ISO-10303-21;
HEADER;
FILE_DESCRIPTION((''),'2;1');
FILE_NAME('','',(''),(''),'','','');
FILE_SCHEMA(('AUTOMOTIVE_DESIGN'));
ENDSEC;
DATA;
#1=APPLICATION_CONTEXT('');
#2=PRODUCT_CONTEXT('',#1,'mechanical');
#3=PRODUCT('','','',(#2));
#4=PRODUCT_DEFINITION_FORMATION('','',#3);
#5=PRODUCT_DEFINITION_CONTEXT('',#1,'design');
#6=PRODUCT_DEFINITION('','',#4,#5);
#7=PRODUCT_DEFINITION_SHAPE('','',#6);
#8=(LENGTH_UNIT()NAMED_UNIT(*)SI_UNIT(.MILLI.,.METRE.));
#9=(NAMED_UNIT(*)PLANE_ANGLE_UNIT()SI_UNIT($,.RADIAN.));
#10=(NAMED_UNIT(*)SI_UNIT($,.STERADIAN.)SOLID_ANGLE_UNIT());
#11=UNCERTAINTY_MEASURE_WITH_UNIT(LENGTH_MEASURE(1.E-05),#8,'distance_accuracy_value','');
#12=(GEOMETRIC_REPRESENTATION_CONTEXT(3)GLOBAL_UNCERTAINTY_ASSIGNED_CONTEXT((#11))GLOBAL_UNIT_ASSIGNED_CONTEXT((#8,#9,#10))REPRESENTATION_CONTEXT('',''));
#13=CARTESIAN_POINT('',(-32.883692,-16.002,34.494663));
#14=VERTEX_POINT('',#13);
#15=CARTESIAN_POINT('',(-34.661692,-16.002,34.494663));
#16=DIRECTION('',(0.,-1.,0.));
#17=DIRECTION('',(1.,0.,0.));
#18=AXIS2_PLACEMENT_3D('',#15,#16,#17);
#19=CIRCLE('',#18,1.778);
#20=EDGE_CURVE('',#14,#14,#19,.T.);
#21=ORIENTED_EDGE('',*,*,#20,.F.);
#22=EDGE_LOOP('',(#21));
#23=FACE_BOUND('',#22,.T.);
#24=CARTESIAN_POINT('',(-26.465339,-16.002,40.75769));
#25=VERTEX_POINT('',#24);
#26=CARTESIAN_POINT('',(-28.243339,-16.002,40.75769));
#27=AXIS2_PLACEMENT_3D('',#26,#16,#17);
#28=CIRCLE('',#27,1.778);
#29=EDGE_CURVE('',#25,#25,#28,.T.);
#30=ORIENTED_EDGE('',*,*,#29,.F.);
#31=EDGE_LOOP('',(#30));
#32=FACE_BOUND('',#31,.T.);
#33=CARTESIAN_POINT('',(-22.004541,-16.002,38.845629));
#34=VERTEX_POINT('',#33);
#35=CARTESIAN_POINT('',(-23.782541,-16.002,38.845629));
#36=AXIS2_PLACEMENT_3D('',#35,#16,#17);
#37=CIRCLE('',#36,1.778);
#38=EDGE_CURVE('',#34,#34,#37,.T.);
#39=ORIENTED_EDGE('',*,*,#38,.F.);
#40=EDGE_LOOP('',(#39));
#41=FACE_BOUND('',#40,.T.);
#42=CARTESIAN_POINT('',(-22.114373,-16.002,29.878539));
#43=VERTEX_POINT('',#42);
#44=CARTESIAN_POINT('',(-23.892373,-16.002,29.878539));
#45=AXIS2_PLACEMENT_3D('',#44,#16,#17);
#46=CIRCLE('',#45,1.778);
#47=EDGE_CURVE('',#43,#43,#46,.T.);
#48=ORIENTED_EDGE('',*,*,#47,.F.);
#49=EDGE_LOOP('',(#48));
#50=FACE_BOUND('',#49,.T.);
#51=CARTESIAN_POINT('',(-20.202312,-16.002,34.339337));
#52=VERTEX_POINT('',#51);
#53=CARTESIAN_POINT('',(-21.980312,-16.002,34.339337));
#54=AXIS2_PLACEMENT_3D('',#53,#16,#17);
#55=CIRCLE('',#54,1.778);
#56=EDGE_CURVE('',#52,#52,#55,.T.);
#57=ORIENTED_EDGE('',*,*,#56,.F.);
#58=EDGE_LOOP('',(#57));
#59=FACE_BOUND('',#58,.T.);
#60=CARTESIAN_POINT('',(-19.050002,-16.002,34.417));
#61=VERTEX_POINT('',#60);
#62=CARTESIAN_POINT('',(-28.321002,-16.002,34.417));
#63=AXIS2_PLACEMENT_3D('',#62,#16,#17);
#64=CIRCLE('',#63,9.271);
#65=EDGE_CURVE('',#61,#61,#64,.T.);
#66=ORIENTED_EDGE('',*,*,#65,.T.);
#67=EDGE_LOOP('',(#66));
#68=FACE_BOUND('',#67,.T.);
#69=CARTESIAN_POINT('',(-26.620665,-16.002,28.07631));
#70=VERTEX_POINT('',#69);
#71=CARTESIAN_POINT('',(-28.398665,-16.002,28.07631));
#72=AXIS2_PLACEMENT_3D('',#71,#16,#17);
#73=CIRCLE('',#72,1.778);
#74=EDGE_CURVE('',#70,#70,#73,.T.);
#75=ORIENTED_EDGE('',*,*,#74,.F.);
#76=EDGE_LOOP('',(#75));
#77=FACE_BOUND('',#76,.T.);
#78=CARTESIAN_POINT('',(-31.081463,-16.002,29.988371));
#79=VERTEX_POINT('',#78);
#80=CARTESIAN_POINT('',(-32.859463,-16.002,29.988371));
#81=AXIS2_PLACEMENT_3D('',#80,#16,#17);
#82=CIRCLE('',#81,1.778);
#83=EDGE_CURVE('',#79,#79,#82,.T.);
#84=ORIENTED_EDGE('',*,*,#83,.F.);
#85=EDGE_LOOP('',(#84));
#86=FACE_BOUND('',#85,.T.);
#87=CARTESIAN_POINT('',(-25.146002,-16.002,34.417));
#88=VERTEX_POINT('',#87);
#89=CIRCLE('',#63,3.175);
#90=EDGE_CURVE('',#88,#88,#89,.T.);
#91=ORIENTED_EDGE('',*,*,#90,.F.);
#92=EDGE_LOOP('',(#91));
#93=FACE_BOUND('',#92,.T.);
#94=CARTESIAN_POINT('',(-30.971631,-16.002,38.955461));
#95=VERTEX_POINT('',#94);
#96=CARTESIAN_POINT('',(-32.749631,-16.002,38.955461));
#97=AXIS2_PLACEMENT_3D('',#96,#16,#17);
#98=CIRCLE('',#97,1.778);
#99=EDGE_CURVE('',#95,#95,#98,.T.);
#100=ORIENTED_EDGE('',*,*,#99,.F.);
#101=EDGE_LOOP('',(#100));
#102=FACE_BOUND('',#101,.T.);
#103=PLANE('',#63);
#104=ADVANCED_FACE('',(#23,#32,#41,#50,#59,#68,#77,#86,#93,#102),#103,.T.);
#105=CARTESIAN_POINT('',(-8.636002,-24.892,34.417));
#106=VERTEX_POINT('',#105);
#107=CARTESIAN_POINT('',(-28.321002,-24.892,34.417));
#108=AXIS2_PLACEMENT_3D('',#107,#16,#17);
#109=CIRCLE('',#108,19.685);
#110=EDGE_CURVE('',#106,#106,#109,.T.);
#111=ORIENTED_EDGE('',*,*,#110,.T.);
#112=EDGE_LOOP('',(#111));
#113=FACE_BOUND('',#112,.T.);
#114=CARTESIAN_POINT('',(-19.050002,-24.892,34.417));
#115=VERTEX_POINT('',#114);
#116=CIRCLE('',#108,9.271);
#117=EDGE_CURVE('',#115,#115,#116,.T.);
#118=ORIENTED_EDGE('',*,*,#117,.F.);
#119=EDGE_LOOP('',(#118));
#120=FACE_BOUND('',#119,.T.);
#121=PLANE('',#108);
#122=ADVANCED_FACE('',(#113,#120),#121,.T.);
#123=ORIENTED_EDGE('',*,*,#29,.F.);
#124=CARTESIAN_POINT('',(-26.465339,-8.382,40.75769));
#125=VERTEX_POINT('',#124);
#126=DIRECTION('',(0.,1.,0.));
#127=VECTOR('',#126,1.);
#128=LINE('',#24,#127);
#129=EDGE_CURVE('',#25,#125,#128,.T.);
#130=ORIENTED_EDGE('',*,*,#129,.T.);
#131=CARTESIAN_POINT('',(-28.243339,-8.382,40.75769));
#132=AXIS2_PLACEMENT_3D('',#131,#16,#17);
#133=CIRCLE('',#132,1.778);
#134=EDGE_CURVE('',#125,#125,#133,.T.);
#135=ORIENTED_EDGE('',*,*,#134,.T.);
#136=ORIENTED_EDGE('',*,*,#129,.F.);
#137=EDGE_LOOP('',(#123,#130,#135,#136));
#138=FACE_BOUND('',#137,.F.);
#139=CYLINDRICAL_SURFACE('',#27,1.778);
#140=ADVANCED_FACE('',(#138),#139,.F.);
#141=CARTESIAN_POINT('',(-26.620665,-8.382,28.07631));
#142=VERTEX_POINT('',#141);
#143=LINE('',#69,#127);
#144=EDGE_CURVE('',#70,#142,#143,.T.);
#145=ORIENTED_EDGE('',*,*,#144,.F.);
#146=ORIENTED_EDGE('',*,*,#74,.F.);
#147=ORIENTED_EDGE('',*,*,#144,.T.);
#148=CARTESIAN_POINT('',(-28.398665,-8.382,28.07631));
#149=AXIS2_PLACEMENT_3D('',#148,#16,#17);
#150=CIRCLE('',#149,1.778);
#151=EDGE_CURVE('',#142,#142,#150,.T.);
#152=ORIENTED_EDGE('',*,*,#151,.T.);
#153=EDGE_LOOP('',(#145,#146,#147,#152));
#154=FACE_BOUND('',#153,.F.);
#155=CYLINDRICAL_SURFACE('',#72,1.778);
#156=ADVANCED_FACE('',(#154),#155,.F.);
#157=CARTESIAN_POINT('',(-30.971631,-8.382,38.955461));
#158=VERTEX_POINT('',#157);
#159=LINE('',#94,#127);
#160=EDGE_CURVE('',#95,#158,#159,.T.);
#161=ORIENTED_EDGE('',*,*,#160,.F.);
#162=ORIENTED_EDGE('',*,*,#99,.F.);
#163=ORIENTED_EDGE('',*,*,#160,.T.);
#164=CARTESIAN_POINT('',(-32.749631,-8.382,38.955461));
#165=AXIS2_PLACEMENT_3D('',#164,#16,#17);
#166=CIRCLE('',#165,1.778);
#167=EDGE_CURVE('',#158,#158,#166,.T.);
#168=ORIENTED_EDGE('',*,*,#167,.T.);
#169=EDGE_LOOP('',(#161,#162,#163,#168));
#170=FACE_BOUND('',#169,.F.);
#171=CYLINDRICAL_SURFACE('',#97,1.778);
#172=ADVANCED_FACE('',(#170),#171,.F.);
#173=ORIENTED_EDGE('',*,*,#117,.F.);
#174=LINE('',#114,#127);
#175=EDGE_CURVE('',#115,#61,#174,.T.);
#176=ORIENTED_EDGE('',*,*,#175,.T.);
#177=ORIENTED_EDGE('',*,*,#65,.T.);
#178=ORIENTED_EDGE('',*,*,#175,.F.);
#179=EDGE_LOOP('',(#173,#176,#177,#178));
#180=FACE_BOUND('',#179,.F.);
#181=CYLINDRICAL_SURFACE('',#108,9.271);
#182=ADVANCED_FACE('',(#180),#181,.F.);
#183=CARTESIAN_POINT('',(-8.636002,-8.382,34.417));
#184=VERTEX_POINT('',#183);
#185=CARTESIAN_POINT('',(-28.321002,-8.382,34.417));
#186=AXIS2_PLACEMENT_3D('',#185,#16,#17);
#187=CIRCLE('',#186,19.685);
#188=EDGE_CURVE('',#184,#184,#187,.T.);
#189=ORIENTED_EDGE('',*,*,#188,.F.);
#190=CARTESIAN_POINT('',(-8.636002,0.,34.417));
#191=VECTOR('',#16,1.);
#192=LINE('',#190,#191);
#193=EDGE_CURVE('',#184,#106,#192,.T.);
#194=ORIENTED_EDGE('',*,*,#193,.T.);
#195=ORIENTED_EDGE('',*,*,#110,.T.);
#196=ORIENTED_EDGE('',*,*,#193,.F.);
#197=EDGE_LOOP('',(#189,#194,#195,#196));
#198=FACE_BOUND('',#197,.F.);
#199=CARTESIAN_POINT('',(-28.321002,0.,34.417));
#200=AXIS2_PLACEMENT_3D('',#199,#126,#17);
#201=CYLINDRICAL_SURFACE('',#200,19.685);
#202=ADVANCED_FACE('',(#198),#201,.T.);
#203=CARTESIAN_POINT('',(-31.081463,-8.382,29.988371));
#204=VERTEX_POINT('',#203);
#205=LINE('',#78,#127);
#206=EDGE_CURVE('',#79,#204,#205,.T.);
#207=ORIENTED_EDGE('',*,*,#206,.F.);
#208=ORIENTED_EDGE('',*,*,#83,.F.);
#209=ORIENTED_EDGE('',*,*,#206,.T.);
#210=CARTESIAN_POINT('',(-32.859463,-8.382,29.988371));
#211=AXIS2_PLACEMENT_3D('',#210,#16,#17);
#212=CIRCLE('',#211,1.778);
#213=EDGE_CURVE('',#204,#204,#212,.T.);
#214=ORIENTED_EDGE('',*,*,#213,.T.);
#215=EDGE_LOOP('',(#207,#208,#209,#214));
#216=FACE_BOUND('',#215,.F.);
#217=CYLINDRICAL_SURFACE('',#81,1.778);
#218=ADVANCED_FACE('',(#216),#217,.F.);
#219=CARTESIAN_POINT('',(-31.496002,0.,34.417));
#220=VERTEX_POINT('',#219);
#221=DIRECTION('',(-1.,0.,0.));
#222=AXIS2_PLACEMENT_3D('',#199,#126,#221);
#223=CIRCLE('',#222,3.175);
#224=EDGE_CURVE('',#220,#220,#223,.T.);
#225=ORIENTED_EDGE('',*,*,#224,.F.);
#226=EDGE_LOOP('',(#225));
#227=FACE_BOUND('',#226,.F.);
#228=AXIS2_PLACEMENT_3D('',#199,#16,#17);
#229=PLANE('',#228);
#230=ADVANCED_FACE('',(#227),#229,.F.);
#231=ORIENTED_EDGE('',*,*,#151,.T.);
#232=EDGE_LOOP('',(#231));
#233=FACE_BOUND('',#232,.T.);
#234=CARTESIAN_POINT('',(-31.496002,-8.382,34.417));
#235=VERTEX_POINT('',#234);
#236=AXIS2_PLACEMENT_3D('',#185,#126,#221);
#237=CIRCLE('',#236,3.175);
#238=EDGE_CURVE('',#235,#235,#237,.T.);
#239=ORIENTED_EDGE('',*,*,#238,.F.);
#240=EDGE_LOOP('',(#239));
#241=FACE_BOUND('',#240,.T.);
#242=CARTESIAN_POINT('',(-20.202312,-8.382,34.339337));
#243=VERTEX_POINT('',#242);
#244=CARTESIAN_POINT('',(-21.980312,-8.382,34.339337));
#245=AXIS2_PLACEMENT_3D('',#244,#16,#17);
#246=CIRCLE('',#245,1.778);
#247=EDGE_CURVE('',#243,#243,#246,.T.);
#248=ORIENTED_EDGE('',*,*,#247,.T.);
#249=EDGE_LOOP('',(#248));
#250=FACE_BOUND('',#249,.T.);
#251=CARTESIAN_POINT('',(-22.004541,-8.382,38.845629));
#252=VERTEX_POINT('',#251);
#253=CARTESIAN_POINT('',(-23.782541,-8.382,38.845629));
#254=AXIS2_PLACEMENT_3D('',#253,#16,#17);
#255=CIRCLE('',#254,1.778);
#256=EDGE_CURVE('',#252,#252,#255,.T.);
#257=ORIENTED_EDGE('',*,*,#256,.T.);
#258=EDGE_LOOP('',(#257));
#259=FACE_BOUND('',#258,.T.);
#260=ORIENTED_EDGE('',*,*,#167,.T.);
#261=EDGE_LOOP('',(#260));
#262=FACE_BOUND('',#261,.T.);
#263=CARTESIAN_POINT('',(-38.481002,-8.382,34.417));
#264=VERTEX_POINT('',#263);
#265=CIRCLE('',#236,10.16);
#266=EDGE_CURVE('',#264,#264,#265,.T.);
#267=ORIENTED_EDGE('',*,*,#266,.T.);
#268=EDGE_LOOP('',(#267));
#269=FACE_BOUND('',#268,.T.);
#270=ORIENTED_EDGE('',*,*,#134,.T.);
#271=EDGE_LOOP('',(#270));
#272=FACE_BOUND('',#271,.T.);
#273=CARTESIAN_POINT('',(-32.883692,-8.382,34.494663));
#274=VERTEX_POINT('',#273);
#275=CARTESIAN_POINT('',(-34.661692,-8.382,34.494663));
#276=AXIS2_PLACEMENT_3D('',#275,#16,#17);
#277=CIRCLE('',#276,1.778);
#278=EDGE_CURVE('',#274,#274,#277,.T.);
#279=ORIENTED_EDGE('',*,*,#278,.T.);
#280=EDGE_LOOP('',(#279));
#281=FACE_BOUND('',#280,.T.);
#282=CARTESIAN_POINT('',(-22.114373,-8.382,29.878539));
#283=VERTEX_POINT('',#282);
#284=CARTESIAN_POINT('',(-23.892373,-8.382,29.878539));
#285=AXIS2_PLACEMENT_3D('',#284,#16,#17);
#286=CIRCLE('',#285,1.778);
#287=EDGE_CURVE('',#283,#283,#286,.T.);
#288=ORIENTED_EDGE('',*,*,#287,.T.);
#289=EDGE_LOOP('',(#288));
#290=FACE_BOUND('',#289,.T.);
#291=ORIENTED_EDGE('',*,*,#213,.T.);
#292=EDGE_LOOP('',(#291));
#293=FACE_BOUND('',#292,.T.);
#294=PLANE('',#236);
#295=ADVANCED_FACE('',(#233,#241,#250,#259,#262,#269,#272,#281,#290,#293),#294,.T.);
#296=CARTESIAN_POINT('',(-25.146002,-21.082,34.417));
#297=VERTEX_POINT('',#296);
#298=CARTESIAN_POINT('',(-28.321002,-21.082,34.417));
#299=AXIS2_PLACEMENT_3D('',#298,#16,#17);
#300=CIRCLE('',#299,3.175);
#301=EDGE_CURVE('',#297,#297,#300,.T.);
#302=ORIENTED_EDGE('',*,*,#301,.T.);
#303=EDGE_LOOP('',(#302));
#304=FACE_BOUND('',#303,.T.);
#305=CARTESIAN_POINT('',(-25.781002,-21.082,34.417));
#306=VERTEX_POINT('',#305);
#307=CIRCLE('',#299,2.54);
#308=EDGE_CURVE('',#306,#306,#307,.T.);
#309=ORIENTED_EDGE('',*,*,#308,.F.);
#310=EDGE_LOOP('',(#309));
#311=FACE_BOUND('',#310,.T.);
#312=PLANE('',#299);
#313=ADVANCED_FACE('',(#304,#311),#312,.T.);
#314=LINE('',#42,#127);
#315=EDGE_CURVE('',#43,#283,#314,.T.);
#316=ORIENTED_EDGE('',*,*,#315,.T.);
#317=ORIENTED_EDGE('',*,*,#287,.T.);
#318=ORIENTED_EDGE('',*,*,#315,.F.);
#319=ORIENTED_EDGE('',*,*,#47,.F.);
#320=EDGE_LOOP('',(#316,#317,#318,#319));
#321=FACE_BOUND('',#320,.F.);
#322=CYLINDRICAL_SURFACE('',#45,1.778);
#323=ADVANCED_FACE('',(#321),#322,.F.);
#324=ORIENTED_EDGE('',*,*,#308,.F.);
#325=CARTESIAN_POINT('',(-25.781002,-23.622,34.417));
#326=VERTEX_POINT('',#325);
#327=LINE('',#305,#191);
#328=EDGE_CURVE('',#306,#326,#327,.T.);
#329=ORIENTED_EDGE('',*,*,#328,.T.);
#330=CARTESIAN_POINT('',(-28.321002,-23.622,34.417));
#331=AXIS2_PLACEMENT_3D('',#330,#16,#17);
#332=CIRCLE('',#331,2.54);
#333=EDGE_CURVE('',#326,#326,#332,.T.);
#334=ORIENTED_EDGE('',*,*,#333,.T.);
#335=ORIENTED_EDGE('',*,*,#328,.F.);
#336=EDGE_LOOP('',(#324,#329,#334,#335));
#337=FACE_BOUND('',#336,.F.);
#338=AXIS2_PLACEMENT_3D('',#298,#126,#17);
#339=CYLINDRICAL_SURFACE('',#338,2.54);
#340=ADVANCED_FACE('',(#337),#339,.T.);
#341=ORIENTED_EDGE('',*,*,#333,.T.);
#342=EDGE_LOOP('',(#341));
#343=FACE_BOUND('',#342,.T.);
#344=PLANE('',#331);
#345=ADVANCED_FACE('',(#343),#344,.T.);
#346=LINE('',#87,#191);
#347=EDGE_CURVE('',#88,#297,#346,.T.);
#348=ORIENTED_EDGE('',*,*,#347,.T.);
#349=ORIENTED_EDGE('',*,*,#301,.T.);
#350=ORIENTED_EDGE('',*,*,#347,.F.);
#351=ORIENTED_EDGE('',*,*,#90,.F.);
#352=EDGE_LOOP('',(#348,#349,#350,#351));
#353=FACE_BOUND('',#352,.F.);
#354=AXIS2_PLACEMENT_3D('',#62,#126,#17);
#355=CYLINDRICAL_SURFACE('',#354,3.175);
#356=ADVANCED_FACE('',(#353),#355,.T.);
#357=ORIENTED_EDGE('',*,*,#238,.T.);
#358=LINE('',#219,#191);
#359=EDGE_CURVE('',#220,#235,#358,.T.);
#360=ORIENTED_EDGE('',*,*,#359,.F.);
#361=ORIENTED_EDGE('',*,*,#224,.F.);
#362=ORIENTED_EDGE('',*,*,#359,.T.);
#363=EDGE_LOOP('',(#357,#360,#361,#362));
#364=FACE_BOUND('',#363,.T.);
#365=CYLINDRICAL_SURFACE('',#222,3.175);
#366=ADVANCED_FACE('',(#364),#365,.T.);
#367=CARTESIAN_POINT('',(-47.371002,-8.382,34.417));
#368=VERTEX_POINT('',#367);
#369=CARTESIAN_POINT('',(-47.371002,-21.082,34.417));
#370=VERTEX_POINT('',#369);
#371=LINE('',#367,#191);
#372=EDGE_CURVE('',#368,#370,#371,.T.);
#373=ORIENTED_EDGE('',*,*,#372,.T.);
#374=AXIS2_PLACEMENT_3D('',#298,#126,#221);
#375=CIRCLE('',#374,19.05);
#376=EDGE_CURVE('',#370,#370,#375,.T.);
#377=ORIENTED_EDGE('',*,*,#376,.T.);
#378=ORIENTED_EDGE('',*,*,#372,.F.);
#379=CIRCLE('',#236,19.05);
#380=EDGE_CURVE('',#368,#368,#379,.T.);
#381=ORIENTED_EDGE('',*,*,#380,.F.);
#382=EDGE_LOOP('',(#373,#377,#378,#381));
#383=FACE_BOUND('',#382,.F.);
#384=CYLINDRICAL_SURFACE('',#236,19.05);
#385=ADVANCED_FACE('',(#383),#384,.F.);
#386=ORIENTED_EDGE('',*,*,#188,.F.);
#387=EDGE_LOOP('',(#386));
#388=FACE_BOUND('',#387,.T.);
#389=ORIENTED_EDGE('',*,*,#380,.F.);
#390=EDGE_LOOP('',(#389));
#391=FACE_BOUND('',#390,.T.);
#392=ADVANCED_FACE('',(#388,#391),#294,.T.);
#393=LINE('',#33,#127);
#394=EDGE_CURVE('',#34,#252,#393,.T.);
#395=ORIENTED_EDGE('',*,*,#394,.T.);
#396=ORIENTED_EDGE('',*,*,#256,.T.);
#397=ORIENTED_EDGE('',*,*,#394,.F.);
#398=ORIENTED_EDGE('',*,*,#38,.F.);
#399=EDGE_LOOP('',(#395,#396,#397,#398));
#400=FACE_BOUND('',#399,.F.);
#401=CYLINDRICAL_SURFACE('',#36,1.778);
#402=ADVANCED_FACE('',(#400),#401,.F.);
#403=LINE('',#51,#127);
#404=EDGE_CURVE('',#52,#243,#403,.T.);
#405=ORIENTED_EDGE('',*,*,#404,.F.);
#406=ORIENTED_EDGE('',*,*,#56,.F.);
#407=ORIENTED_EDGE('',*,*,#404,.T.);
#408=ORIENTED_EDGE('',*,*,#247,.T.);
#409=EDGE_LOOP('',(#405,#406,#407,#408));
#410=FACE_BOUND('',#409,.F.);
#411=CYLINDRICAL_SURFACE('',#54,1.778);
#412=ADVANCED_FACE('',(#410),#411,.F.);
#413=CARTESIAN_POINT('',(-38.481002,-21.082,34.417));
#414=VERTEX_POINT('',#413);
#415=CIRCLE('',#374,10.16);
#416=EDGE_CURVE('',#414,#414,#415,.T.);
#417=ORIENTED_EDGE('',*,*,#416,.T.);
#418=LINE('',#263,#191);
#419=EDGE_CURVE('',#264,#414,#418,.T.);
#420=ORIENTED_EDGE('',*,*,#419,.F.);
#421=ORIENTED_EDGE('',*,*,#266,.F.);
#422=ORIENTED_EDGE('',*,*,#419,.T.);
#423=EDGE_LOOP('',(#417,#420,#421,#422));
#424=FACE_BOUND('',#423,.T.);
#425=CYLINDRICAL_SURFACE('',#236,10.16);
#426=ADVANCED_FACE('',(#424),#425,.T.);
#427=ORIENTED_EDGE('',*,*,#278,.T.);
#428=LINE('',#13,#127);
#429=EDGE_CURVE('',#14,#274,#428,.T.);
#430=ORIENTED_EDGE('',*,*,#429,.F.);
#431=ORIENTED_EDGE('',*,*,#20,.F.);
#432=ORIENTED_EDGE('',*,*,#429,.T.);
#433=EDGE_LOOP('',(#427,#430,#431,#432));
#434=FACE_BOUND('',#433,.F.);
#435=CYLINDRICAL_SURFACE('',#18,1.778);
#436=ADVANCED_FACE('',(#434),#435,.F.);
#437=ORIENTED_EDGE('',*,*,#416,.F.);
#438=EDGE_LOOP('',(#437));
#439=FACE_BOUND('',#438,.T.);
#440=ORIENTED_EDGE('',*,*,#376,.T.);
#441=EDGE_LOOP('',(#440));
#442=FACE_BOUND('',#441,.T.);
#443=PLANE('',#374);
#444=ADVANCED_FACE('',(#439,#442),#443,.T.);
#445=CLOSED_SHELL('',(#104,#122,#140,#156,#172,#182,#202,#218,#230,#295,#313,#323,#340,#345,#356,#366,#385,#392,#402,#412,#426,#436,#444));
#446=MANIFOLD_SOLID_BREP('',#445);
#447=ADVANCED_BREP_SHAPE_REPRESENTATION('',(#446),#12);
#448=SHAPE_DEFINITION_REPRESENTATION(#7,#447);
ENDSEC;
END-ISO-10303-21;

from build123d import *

# Parameters (mm, degrees)
F0_R      = 19.685
F0_R_2    = 10.16
F0_R_3    = 8.89
F1_DEPTH  = 24.892
F2_R      = 19.685
F2_R_2    = 3.175
F3_DEPTH  = 8.382
F4_R      = 9.271
F5_DEPTH  = 8.89
F6_R      = 3.175
F7_DEPTH  = 5.08
F8_R      = 1.778
F9_DEPTH  = 7.747
F10_R     = 2.54
F11_DEPTH = 2.54
F12_R     = 19.05
F12_R_2   = 10.16
F13_DEPTH = 12.7


with BuildPart() as f1:
    # F0 (on Front) → F1 (new body)
    with BuildSketch(Plane.XZ):
        with Locations((-28.321002, 34.417)):
            Circle(F0_R)
        with Locations((-28.321002, 34.417)):
            Circle(F0_R_2, mode=Mode.SUBTRACT)
        with Locations((-28.321002, 34.417)):
            Circle(F0_R_2)
        with Locations((-28.321002, 34.417)):
            Circle(F0_R_3, mode=Mode.SUBTRACT)
        with Locations((-28.321002, 34.417)):
            Circle(F0_R_3)
    extrude(amount=F1_DEPTH)

    # F2 (on face) → F3 (cut)
    with BuildSketch(Plane(origin=(0, 0, 0), x_dir=(-1, 0, 0), z_dir=(0, 1, 0))):
        with Locations((28.321002, 34.417)):
            Circle(F2_R)
        with Locations((28.321002, 34.417)):
            Circle(F2_R_2, mode=Mode.SUBTRACT)
    extrude(amount=-F3_DEPTH, mode=Mode.SUBTRACT)

    # F4 (on face) → F5 (cut)
    with BuildSketch(Plane.XZ.offset(24.892)):
        with Locations((-28.321002, 34.417)):
            Circle(F4_R)
    extrude(amount=-F5_DEPTH, mode=Mode.SUBTRACT)

    # F6 (on face) → F7 (join)
    with BuildSketch(Plane.XZ.offset(16.002)):
        with Locations((-28.321002, 34.417)):
            Circle(F6_R)
    extrude(amount=F7_DEPTH)

    # F8 (on face) → F9 (cut)
    with BuildSketch(Plane.XZ.offset(16.002)):
        with Locations((-32.749631, 38.955461)):
            Circle(F8_R)
        with Locations((-28.243339, 40.75769)):
            Circle(F8_R)
        with Locations((-23.782541, 38.845629)):
            Circle(F8_R)
        with Locations((-21.980312, 34.339337)):
            Circle(F8_R)
        with Locations((-23.892373, 29.878539)):
            Circle(F8_R)
        with Locations((-28.398665, 28.07631)):
            Circle(F8_R)
        with Locations((-32.859463, 29.988371)):
            Circle(F8_R)
        with Locations((-34.661692, 34.494663)):
            Circle(F8_R)
    extrude(amount=-F9_DEPTH, mode=Mode.SUBTRACT)

    # F10 (on face) → F11 (join)
    with BuildSketch(Plane.XZ.offset(21.082)):
        with Locations((-28.321002, 34.417)):
            Circle(F10_R)
    extrude(amount=F11_DEPTH)

    # F12 (on face) → F13 (cut)
    with BuildSketch(Plane(origin=(0, -8.382, 0), x_dir=(-1, 0, 0), z_dir=(0, 1, 0))):
        with Locations((28.321002, 34.417)):
            Circle(F12_R)
        with Locations((28.321002, 34.417)):
            Circle(F12_R_2, mode=Mode.SUBTRACT)
    extrude(amount=-F13_DEPTH, mode=Mode.SUBTRACT)


solid = f1.part
